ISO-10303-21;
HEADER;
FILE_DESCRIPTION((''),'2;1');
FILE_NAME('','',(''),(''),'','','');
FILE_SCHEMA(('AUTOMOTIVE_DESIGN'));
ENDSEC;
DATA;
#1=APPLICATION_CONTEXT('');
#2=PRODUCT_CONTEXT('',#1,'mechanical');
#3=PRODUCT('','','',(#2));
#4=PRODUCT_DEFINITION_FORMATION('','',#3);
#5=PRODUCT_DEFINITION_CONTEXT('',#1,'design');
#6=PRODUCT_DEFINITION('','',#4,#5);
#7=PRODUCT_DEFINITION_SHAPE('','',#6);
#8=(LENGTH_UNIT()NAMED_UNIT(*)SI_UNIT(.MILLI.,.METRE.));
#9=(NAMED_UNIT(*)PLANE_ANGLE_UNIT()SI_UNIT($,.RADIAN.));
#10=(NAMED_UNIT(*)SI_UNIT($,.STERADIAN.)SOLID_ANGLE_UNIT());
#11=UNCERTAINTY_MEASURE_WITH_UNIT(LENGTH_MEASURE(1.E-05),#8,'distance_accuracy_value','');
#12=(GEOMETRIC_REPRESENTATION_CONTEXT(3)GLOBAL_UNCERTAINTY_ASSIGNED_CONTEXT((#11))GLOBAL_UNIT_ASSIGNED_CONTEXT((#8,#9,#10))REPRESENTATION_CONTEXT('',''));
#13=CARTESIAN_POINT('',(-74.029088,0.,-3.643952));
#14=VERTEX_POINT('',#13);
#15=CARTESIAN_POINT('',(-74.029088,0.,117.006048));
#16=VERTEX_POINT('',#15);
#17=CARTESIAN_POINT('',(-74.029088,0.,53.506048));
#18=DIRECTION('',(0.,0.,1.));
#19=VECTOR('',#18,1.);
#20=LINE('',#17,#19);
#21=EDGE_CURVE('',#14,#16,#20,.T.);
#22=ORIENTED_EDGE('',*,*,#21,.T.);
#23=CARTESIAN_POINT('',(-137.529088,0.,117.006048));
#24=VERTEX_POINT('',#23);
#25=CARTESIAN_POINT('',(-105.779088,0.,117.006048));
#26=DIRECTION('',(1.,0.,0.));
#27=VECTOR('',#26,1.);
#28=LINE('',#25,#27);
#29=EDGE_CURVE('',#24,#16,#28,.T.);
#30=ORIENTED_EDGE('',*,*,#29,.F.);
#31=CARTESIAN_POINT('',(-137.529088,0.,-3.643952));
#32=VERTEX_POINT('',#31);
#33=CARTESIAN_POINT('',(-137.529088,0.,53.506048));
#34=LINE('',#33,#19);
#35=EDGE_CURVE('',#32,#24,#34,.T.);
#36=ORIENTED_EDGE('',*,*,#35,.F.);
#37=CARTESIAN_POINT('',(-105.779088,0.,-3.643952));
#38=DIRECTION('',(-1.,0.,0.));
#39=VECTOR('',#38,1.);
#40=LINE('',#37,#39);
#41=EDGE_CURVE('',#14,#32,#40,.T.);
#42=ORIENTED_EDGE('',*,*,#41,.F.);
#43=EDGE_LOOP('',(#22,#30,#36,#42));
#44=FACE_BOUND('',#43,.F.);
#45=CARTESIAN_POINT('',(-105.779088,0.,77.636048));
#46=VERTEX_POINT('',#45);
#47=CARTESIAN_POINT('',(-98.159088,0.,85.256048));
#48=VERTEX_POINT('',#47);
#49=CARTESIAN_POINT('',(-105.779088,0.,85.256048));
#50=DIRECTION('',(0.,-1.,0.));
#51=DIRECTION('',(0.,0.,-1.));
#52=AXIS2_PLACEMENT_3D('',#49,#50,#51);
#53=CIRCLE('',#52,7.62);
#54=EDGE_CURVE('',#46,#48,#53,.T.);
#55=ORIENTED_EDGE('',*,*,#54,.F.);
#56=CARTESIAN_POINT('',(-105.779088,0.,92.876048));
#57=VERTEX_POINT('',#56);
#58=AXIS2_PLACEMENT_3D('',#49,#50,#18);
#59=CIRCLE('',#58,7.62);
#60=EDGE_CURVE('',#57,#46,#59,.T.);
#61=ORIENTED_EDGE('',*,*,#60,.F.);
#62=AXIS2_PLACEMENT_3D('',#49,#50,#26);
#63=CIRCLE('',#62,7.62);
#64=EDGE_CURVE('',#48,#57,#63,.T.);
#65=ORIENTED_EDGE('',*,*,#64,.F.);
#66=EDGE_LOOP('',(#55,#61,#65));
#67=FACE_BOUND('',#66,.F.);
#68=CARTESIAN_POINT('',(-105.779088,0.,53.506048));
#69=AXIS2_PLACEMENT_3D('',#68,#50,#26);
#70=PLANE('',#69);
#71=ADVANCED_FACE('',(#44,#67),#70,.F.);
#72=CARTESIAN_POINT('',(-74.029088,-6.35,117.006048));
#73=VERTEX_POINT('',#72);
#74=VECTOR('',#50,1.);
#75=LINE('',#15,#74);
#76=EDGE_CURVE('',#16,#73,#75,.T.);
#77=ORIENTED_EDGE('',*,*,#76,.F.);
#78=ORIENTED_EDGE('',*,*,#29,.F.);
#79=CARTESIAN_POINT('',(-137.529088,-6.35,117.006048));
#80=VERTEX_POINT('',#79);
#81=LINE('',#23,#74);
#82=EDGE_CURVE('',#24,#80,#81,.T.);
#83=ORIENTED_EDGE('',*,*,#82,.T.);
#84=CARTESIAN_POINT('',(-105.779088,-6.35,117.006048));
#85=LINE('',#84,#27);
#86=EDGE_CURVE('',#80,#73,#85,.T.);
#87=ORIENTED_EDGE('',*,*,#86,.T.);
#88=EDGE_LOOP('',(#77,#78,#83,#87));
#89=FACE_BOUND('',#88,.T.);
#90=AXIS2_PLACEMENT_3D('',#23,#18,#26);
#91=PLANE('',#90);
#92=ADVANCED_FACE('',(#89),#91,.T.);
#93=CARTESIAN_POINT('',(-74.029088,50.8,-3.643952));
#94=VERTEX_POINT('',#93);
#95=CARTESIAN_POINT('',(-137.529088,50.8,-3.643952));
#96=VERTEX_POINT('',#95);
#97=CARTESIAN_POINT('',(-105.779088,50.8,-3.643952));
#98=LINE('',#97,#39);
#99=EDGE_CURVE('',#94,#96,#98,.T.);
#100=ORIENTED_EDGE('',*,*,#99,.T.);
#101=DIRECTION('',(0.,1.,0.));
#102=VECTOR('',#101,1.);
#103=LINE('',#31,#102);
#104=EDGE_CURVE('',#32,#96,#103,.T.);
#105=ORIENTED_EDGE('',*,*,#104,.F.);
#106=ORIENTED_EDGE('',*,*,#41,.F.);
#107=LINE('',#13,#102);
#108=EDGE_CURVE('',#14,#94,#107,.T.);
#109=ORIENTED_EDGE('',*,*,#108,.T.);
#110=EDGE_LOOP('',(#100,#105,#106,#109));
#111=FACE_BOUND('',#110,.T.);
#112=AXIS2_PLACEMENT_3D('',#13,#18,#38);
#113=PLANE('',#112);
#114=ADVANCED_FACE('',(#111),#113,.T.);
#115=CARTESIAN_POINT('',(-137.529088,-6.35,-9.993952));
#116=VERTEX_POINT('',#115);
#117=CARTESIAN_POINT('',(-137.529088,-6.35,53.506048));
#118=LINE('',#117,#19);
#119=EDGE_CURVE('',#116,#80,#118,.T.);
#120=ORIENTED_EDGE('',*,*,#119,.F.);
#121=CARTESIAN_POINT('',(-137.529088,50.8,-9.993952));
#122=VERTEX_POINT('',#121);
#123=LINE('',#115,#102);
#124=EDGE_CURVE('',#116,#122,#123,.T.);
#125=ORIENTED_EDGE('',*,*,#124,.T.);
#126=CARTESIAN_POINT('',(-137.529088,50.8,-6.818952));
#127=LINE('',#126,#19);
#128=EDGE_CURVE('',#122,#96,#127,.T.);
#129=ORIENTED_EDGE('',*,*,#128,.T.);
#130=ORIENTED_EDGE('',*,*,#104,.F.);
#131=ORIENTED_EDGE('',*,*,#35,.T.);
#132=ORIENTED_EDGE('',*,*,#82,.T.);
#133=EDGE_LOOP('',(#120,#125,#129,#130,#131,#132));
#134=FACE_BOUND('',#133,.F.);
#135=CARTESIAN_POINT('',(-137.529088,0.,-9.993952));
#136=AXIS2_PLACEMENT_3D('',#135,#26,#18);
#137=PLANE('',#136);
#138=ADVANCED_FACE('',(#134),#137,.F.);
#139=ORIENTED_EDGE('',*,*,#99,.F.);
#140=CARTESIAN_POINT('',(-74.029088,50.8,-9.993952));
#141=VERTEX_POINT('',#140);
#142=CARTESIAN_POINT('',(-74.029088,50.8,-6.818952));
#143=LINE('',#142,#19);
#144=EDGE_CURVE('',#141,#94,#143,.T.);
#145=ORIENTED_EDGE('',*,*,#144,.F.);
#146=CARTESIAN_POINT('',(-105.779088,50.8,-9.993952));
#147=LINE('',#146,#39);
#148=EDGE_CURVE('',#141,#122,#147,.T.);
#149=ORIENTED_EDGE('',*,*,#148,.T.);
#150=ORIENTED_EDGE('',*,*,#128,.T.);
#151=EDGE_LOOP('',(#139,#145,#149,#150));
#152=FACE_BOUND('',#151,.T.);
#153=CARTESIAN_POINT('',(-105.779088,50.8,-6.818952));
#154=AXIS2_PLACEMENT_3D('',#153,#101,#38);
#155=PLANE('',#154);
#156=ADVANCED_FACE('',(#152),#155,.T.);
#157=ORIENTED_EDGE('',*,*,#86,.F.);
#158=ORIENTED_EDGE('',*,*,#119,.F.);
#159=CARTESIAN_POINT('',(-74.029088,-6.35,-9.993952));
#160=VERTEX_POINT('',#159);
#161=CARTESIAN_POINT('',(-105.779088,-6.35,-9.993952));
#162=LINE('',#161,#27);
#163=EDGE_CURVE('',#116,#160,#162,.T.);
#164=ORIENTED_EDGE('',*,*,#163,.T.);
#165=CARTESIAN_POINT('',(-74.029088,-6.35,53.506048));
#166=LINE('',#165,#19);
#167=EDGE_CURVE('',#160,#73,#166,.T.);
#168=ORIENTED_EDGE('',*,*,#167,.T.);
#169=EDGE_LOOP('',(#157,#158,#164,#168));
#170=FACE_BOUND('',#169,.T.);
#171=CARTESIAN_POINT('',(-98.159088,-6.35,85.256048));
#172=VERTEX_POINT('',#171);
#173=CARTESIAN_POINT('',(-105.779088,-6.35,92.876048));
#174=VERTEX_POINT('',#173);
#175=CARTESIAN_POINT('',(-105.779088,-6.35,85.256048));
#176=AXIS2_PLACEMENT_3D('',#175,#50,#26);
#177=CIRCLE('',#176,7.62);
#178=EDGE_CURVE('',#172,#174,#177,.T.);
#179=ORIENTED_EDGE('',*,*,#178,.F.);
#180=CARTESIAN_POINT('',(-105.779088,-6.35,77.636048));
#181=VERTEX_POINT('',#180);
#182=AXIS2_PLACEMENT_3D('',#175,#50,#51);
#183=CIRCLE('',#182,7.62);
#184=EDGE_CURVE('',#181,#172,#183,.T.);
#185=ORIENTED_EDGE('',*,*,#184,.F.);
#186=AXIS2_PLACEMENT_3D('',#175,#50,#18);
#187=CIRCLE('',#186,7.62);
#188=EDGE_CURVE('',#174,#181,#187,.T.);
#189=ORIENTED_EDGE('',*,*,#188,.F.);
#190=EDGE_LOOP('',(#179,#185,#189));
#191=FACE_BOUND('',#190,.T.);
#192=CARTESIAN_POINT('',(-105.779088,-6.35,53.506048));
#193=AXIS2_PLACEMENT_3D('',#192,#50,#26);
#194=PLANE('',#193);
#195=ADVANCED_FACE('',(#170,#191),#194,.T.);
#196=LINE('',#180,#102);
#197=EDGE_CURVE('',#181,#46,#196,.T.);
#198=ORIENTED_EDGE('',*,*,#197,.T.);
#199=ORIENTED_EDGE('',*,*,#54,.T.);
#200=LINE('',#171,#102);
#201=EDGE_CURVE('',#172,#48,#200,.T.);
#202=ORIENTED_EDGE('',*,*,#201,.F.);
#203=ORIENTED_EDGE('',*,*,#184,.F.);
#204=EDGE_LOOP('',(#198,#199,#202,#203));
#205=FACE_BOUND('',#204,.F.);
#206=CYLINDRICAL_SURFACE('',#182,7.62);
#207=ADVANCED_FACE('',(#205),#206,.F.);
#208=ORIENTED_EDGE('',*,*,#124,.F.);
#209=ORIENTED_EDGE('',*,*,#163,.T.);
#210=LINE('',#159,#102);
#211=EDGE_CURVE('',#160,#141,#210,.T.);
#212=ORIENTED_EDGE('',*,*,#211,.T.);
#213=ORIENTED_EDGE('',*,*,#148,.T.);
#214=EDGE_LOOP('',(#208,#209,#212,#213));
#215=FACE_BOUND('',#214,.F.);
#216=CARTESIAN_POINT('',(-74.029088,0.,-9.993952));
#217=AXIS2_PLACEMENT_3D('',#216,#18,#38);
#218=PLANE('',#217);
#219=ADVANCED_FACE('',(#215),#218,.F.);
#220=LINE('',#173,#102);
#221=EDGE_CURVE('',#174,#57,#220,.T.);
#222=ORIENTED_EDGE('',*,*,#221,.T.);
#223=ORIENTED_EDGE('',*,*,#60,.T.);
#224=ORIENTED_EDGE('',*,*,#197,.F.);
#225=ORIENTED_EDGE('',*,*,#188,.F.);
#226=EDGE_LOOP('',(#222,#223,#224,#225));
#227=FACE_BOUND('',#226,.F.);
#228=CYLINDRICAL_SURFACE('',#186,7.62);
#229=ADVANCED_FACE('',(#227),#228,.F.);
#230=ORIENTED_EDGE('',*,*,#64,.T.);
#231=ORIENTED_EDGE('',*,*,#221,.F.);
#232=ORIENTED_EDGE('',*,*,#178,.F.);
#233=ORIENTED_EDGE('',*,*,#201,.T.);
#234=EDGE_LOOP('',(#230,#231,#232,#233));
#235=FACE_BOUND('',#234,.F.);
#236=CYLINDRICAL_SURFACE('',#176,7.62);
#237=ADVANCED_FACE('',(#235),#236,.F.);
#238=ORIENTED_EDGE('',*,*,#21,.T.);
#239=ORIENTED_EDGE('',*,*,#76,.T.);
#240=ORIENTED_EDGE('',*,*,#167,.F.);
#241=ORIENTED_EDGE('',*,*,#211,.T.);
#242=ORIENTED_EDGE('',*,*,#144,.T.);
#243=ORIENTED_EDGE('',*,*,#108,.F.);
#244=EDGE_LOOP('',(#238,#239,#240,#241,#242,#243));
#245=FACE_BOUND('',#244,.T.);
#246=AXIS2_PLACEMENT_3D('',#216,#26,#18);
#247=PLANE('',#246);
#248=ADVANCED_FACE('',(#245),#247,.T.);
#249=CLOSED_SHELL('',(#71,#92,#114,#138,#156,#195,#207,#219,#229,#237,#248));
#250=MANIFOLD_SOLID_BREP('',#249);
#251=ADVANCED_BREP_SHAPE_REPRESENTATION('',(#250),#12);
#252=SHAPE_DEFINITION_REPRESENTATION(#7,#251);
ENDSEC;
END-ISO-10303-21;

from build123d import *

# Parameters (mm, degrees)
F0_W     = 63.5
F0_H     = 127
F1_DEPTH = 6.35
F2_W     = 63.5
F2_H     = 6.35
F3_DEPTH = 50.8
F5_DEPTH = 25.4


with BuildPart() as f1:
    # F0 (on Front) → F1 (new body)
    with BuildSketch(Plane.XZ):
        with Locations((-105.7790880203, 53.5060482323)):
            Rectangle(F0_W, F0_H)
    extrude(amount=F1_DEPTH)

    # F2 (on face) → F3 (join)
    with BuildSketch(Plane(origin=(0, 0, 0), x_dir=(-1, 0, 0), z_dir=(0, 1, 0))):
        with Locations((105.7790880203, -6.8189517677)):
            Rectangle(F2_W, F2_H)
    extrude(amount=F3_DEPTH)

    # F4 (on face) → F5 (cut)
    with BuildSketch(Plane.XZ.offset(6.35)):
        with BuildLine():
            Line((-105.7790880203, 77.6360482323), (-105.7790880203, 92.8760482323))
            ThreePointArc((-105.7790880203, 92.8760482323), (-113.3990880203, 85.2560482323), (-105.7790880203, 77.6360482323))
        make_face()
        with BuildLine():
            ThreePointArc((-98.1590880203, 85.2560482323), (-100.3909343477, 90.644201905), (-105.7790880203, 92.8760482323))
            Line((-105.7790880203, 92.8760482323), (-105.7790880203, 77.6360482323))
            ThreePointArc((-105.7790880203, 77.6360482323), (-100.3909343477, 79.8678945597), (-98.1590880203, 85.2560482323))
        make_face()
    extrude(amount=-F5_DEPTH, mode=Mode.SUBTRACT)


solid = f1.part
